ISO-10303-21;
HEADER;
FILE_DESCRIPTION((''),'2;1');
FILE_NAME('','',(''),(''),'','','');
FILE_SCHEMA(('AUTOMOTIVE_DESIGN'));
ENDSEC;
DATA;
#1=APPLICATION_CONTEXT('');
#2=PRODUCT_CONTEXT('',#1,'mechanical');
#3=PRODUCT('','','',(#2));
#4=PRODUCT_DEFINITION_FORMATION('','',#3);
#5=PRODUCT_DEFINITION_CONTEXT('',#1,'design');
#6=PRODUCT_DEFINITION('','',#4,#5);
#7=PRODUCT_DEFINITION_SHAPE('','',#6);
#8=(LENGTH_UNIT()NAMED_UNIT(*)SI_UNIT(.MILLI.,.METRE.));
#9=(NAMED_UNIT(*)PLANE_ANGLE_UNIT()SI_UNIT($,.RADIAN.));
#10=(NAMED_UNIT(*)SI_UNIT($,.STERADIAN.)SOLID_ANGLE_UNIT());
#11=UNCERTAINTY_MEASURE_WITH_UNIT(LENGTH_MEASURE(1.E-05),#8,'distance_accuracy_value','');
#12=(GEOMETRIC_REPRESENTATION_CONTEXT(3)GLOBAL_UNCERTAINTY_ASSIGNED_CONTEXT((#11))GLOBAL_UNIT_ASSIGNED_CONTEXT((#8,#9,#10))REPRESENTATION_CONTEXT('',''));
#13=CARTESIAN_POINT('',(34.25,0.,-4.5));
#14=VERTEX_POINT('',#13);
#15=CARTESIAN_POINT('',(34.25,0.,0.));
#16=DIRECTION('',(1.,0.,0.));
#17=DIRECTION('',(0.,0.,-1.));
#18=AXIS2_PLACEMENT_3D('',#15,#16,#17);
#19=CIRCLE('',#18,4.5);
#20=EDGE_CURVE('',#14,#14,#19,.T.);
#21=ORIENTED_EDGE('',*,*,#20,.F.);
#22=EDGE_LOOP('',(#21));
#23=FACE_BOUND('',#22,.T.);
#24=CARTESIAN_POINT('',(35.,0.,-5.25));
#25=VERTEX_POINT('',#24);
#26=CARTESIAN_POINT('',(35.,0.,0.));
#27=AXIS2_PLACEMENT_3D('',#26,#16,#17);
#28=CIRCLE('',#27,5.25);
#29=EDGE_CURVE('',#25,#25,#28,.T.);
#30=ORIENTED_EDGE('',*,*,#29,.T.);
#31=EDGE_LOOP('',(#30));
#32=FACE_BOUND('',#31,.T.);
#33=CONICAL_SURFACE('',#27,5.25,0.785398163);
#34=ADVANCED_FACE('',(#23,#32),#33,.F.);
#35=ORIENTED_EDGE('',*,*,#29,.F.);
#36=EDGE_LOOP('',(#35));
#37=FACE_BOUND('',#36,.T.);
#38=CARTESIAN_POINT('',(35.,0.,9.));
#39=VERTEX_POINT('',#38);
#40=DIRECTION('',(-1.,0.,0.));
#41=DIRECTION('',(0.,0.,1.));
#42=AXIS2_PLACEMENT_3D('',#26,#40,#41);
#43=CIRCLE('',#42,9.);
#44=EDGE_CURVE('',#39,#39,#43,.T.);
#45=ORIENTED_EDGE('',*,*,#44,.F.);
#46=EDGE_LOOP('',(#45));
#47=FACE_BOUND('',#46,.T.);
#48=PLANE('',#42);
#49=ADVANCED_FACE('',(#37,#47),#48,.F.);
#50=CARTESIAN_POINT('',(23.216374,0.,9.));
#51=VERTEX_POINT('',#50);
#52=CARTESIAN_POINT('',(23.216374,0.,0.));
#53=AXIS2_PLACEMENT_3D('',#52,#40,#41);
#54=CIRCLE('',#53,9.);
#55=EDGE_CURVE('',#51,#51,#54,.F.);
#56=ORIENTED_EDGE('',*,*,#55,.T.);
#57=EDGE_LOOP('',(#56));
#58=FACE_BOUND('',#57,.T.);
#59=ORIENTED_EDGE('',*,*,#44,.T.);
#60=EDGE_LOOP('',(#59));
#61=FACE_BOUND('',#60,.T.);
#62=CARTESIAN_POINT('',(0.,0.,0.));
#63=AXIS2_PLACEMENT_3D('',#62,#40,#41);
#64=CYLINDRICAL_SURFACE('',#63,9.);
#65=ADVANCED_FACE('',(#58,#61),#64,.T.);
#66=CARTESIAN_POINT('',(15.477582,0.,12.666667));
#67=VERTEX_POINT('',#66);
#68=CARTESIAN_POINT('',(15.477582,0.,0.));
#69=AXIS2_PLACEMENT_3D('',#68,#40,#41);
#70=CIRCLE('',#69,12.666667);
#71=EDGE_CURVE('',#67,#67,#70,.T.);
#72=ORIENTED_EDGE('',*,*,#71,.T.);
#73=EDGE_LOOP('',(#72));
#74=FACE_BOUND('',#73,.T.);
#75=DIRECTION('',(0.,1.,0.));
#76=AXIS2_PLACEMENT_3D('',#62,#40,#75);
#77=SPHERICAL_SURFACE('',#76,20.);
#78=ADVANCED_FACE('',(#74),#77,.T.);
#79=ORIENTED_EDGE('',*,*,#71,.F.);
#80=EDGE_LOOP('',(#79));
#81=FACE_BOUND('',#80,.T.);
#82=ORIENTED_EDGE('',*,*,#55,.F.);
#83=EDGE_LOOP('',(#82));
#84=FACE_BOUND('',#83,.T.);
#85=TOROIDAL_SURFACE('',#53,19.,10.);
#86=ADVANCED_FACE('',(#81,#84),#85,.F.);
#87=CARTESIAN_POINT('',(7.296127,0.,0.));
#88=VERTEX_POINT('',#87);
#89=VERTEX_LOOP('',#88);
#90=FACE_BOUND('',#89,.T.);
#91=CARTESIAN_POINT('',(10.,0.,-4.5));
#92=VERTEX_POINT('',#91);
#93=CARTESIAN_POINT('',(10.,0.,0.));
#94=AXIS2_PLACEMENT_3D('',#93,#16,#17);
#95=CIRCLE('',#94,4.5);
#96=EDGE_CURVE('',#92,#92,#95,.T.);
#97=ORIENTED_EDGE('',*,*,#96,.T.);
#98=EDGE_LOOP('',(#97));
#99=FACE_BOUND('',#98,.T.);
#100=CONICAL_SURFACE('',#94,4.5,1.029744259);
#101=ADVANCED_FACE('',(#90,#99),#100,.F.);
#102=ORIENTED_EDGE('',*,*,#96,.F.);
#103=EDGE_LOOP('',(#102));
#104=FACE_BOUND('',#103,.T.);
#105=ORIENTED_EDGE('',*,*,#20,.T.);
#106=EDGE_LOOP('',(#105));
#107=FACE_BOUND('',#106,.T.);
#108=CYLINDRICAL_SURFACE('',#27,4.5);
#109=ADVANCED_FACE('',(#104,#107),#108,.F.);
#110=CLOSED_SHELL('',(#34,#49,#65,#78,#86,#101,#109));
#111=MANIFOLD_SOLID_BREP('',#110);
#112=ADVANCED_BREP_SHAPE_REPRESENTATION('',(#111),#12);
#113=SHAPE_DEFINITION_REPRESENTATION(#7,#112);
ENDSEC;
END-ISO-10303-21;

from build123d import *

# Parameters (mm, degrees)
FILLET1_R                        = 10
M10X1_0_TAPPED_HOLE1_D           = 9
M10X1_0_TAPPED_HOLE1_DEPTH       = 25
M10X1_0_TAPPED_HOLE1_CSINK_D     = 10.5
M10X1_0_TAPPED_HOLE1_CSINK_ANGLE = 90
M10X1_0_TAPPED_HOLE1_TIP         = 2.703872786


with BuildPart() as part:
    # Sketch1 → Revolve1 (revolve)
    with BuildSketch(Plane.XY):
        with BuildLine():
            Line((-20, 0), (35, 0))
            Line((35, 0), (35, 9))
            Line((35, 9), (17.860571099, 9))
            ThreePointArc((17.860571099, 9), (-4.625396092, 19.457793066), (-20, 0))
        make_face()
    revolve(axis=Axis((0, 0, 0), (1, 0, 0)))

    # Fillet1
    fillet1_edges = [part.edges().sort_by_distance(p)[0] for p in [
        (17.860571099, -9, 0),
    ]]
    fillet(fillet1_edges, radius=FILLET1_R)

    # M10x1.0 Tapped Hole1
    with Locations(Plane(origin=(35, 0, 0), x_dir=(0, 0, -1), z_dir=(1, 0, 0))):
        with Locations((0, 0)):
            CounterSinkHole(M10X1_0_TAPPED_HOLE1_D / 2, M10X1_0_TAPPED_HOLE1_CSINK_D / 2, depth=M10X1_0_TAPPED_HOLE1_DEPTH, counter_sink_angle=M10X1_0_TAPPED_HOLE1_CSINK_ANGLE)
            with Locations((0, 0, -(M10X1_0_TAPPED_HOLE1_DEPTH + M10X1_0_TAPPED_HOLE1_TIP / 2))):  # 118° drill point
                Cone(0, M10X1_0_TAPPED_HOLE1_D / 2, M10X1_0_TAPPED_HOLE1_TIP, mode=Mode.SUBTRACT)


solid = part.part
